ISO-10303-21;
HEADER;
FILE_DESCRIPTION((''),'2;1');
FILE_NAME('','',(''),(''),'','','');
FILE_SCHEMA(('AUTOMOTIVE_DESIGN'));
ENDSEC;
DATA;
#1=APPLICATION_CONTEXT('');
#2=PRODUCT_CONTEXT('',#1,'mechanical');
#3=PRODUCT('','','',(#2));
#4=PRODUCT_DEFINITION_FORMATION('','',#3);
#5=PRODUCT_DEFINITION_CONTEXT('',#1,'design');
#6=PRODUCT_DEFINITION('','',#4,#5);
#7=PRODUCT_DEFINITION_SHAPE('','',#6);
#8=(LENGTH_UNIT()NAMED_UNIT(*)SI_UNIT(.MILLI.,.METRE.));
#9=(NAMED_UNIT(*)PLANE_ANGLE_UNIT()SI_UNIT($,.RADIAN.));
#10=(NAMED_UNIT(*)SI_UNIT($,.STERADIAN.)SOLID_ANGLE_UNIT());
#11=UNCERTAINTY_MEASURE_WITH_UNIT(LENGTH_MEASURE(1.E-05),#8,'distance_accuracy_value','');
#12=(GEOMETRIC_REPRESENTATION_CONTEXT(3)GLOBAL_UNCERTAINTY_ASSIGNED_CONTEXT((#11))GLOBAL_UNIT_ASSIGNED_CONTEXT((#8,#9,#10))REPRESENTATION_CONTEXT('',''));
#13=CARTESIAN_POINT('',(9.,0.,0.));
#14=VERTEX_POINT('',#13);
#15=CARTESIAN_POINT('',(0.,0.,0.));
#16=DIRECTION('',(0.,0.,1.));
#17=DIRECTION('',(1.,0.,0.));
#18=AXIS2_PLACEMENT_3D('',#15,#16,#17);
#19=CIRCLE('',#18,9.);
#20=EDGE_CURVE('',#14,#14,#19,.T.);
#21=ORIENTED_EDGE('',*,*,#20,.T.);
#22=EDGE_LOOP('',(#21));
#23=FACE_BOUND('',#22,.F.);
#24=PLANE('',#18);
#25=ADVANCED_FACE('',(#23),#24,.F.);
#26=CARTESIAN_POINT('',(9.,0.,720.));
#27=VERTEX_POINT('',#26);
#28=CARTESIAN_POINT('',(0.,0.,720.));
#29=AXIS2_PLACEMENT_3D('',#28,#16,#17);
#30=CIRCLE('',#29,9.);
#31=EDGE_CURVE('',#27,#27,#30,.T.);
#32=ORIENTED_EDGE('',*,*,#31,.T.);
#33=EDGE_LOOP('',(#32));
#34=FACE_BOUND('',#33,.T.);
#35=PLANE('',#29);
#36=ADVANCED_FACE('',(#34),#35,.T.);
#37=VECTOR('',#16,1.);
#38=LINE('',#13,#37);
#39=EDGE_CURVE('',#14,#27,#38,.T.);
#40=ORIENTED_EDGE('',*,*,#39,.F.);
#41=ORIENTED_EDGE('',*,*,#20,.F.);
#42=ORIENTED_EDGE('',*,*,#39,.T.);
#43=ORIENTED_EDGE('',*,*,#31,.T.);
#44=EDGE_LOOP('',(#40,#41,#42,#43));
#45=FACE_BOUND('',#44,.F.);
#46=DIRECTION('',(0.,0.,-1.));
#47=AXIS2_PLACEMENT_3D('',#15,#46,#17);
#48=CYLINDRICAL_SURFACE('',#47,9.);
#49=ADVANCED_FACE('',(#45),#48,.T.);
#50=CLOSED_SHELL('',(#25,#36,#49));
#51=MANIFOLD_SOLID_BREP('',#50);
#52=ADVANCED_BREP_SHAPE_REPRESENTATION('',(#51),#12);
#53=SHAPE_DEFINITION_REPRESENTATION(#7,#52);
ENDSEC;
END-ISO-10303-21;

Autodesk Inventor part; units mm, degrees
ref_plane "YZ Plane" through (0, 0, 0) normal (1, 0, 0) x (0, 1, 0)
ref_plane "XZ Plane" through (0, 0, 0) normal (0, 1, 0) x (-1, 0, 0)
ref_plane "XY Plane" through (0, 0, 0) normal (0, 0, 1) x (1, 0, 0)
sketch "Sketch1" plane through (0, 0, 0) normal (0, 0, 1) x (1, 0, 0)
  circle A0 centre (0, 0) radius 9
  dimension "d0" = 18
extrude "Extrusion1" add sketch "Sketch1" along normal blind 720
properties part number "пруток"
